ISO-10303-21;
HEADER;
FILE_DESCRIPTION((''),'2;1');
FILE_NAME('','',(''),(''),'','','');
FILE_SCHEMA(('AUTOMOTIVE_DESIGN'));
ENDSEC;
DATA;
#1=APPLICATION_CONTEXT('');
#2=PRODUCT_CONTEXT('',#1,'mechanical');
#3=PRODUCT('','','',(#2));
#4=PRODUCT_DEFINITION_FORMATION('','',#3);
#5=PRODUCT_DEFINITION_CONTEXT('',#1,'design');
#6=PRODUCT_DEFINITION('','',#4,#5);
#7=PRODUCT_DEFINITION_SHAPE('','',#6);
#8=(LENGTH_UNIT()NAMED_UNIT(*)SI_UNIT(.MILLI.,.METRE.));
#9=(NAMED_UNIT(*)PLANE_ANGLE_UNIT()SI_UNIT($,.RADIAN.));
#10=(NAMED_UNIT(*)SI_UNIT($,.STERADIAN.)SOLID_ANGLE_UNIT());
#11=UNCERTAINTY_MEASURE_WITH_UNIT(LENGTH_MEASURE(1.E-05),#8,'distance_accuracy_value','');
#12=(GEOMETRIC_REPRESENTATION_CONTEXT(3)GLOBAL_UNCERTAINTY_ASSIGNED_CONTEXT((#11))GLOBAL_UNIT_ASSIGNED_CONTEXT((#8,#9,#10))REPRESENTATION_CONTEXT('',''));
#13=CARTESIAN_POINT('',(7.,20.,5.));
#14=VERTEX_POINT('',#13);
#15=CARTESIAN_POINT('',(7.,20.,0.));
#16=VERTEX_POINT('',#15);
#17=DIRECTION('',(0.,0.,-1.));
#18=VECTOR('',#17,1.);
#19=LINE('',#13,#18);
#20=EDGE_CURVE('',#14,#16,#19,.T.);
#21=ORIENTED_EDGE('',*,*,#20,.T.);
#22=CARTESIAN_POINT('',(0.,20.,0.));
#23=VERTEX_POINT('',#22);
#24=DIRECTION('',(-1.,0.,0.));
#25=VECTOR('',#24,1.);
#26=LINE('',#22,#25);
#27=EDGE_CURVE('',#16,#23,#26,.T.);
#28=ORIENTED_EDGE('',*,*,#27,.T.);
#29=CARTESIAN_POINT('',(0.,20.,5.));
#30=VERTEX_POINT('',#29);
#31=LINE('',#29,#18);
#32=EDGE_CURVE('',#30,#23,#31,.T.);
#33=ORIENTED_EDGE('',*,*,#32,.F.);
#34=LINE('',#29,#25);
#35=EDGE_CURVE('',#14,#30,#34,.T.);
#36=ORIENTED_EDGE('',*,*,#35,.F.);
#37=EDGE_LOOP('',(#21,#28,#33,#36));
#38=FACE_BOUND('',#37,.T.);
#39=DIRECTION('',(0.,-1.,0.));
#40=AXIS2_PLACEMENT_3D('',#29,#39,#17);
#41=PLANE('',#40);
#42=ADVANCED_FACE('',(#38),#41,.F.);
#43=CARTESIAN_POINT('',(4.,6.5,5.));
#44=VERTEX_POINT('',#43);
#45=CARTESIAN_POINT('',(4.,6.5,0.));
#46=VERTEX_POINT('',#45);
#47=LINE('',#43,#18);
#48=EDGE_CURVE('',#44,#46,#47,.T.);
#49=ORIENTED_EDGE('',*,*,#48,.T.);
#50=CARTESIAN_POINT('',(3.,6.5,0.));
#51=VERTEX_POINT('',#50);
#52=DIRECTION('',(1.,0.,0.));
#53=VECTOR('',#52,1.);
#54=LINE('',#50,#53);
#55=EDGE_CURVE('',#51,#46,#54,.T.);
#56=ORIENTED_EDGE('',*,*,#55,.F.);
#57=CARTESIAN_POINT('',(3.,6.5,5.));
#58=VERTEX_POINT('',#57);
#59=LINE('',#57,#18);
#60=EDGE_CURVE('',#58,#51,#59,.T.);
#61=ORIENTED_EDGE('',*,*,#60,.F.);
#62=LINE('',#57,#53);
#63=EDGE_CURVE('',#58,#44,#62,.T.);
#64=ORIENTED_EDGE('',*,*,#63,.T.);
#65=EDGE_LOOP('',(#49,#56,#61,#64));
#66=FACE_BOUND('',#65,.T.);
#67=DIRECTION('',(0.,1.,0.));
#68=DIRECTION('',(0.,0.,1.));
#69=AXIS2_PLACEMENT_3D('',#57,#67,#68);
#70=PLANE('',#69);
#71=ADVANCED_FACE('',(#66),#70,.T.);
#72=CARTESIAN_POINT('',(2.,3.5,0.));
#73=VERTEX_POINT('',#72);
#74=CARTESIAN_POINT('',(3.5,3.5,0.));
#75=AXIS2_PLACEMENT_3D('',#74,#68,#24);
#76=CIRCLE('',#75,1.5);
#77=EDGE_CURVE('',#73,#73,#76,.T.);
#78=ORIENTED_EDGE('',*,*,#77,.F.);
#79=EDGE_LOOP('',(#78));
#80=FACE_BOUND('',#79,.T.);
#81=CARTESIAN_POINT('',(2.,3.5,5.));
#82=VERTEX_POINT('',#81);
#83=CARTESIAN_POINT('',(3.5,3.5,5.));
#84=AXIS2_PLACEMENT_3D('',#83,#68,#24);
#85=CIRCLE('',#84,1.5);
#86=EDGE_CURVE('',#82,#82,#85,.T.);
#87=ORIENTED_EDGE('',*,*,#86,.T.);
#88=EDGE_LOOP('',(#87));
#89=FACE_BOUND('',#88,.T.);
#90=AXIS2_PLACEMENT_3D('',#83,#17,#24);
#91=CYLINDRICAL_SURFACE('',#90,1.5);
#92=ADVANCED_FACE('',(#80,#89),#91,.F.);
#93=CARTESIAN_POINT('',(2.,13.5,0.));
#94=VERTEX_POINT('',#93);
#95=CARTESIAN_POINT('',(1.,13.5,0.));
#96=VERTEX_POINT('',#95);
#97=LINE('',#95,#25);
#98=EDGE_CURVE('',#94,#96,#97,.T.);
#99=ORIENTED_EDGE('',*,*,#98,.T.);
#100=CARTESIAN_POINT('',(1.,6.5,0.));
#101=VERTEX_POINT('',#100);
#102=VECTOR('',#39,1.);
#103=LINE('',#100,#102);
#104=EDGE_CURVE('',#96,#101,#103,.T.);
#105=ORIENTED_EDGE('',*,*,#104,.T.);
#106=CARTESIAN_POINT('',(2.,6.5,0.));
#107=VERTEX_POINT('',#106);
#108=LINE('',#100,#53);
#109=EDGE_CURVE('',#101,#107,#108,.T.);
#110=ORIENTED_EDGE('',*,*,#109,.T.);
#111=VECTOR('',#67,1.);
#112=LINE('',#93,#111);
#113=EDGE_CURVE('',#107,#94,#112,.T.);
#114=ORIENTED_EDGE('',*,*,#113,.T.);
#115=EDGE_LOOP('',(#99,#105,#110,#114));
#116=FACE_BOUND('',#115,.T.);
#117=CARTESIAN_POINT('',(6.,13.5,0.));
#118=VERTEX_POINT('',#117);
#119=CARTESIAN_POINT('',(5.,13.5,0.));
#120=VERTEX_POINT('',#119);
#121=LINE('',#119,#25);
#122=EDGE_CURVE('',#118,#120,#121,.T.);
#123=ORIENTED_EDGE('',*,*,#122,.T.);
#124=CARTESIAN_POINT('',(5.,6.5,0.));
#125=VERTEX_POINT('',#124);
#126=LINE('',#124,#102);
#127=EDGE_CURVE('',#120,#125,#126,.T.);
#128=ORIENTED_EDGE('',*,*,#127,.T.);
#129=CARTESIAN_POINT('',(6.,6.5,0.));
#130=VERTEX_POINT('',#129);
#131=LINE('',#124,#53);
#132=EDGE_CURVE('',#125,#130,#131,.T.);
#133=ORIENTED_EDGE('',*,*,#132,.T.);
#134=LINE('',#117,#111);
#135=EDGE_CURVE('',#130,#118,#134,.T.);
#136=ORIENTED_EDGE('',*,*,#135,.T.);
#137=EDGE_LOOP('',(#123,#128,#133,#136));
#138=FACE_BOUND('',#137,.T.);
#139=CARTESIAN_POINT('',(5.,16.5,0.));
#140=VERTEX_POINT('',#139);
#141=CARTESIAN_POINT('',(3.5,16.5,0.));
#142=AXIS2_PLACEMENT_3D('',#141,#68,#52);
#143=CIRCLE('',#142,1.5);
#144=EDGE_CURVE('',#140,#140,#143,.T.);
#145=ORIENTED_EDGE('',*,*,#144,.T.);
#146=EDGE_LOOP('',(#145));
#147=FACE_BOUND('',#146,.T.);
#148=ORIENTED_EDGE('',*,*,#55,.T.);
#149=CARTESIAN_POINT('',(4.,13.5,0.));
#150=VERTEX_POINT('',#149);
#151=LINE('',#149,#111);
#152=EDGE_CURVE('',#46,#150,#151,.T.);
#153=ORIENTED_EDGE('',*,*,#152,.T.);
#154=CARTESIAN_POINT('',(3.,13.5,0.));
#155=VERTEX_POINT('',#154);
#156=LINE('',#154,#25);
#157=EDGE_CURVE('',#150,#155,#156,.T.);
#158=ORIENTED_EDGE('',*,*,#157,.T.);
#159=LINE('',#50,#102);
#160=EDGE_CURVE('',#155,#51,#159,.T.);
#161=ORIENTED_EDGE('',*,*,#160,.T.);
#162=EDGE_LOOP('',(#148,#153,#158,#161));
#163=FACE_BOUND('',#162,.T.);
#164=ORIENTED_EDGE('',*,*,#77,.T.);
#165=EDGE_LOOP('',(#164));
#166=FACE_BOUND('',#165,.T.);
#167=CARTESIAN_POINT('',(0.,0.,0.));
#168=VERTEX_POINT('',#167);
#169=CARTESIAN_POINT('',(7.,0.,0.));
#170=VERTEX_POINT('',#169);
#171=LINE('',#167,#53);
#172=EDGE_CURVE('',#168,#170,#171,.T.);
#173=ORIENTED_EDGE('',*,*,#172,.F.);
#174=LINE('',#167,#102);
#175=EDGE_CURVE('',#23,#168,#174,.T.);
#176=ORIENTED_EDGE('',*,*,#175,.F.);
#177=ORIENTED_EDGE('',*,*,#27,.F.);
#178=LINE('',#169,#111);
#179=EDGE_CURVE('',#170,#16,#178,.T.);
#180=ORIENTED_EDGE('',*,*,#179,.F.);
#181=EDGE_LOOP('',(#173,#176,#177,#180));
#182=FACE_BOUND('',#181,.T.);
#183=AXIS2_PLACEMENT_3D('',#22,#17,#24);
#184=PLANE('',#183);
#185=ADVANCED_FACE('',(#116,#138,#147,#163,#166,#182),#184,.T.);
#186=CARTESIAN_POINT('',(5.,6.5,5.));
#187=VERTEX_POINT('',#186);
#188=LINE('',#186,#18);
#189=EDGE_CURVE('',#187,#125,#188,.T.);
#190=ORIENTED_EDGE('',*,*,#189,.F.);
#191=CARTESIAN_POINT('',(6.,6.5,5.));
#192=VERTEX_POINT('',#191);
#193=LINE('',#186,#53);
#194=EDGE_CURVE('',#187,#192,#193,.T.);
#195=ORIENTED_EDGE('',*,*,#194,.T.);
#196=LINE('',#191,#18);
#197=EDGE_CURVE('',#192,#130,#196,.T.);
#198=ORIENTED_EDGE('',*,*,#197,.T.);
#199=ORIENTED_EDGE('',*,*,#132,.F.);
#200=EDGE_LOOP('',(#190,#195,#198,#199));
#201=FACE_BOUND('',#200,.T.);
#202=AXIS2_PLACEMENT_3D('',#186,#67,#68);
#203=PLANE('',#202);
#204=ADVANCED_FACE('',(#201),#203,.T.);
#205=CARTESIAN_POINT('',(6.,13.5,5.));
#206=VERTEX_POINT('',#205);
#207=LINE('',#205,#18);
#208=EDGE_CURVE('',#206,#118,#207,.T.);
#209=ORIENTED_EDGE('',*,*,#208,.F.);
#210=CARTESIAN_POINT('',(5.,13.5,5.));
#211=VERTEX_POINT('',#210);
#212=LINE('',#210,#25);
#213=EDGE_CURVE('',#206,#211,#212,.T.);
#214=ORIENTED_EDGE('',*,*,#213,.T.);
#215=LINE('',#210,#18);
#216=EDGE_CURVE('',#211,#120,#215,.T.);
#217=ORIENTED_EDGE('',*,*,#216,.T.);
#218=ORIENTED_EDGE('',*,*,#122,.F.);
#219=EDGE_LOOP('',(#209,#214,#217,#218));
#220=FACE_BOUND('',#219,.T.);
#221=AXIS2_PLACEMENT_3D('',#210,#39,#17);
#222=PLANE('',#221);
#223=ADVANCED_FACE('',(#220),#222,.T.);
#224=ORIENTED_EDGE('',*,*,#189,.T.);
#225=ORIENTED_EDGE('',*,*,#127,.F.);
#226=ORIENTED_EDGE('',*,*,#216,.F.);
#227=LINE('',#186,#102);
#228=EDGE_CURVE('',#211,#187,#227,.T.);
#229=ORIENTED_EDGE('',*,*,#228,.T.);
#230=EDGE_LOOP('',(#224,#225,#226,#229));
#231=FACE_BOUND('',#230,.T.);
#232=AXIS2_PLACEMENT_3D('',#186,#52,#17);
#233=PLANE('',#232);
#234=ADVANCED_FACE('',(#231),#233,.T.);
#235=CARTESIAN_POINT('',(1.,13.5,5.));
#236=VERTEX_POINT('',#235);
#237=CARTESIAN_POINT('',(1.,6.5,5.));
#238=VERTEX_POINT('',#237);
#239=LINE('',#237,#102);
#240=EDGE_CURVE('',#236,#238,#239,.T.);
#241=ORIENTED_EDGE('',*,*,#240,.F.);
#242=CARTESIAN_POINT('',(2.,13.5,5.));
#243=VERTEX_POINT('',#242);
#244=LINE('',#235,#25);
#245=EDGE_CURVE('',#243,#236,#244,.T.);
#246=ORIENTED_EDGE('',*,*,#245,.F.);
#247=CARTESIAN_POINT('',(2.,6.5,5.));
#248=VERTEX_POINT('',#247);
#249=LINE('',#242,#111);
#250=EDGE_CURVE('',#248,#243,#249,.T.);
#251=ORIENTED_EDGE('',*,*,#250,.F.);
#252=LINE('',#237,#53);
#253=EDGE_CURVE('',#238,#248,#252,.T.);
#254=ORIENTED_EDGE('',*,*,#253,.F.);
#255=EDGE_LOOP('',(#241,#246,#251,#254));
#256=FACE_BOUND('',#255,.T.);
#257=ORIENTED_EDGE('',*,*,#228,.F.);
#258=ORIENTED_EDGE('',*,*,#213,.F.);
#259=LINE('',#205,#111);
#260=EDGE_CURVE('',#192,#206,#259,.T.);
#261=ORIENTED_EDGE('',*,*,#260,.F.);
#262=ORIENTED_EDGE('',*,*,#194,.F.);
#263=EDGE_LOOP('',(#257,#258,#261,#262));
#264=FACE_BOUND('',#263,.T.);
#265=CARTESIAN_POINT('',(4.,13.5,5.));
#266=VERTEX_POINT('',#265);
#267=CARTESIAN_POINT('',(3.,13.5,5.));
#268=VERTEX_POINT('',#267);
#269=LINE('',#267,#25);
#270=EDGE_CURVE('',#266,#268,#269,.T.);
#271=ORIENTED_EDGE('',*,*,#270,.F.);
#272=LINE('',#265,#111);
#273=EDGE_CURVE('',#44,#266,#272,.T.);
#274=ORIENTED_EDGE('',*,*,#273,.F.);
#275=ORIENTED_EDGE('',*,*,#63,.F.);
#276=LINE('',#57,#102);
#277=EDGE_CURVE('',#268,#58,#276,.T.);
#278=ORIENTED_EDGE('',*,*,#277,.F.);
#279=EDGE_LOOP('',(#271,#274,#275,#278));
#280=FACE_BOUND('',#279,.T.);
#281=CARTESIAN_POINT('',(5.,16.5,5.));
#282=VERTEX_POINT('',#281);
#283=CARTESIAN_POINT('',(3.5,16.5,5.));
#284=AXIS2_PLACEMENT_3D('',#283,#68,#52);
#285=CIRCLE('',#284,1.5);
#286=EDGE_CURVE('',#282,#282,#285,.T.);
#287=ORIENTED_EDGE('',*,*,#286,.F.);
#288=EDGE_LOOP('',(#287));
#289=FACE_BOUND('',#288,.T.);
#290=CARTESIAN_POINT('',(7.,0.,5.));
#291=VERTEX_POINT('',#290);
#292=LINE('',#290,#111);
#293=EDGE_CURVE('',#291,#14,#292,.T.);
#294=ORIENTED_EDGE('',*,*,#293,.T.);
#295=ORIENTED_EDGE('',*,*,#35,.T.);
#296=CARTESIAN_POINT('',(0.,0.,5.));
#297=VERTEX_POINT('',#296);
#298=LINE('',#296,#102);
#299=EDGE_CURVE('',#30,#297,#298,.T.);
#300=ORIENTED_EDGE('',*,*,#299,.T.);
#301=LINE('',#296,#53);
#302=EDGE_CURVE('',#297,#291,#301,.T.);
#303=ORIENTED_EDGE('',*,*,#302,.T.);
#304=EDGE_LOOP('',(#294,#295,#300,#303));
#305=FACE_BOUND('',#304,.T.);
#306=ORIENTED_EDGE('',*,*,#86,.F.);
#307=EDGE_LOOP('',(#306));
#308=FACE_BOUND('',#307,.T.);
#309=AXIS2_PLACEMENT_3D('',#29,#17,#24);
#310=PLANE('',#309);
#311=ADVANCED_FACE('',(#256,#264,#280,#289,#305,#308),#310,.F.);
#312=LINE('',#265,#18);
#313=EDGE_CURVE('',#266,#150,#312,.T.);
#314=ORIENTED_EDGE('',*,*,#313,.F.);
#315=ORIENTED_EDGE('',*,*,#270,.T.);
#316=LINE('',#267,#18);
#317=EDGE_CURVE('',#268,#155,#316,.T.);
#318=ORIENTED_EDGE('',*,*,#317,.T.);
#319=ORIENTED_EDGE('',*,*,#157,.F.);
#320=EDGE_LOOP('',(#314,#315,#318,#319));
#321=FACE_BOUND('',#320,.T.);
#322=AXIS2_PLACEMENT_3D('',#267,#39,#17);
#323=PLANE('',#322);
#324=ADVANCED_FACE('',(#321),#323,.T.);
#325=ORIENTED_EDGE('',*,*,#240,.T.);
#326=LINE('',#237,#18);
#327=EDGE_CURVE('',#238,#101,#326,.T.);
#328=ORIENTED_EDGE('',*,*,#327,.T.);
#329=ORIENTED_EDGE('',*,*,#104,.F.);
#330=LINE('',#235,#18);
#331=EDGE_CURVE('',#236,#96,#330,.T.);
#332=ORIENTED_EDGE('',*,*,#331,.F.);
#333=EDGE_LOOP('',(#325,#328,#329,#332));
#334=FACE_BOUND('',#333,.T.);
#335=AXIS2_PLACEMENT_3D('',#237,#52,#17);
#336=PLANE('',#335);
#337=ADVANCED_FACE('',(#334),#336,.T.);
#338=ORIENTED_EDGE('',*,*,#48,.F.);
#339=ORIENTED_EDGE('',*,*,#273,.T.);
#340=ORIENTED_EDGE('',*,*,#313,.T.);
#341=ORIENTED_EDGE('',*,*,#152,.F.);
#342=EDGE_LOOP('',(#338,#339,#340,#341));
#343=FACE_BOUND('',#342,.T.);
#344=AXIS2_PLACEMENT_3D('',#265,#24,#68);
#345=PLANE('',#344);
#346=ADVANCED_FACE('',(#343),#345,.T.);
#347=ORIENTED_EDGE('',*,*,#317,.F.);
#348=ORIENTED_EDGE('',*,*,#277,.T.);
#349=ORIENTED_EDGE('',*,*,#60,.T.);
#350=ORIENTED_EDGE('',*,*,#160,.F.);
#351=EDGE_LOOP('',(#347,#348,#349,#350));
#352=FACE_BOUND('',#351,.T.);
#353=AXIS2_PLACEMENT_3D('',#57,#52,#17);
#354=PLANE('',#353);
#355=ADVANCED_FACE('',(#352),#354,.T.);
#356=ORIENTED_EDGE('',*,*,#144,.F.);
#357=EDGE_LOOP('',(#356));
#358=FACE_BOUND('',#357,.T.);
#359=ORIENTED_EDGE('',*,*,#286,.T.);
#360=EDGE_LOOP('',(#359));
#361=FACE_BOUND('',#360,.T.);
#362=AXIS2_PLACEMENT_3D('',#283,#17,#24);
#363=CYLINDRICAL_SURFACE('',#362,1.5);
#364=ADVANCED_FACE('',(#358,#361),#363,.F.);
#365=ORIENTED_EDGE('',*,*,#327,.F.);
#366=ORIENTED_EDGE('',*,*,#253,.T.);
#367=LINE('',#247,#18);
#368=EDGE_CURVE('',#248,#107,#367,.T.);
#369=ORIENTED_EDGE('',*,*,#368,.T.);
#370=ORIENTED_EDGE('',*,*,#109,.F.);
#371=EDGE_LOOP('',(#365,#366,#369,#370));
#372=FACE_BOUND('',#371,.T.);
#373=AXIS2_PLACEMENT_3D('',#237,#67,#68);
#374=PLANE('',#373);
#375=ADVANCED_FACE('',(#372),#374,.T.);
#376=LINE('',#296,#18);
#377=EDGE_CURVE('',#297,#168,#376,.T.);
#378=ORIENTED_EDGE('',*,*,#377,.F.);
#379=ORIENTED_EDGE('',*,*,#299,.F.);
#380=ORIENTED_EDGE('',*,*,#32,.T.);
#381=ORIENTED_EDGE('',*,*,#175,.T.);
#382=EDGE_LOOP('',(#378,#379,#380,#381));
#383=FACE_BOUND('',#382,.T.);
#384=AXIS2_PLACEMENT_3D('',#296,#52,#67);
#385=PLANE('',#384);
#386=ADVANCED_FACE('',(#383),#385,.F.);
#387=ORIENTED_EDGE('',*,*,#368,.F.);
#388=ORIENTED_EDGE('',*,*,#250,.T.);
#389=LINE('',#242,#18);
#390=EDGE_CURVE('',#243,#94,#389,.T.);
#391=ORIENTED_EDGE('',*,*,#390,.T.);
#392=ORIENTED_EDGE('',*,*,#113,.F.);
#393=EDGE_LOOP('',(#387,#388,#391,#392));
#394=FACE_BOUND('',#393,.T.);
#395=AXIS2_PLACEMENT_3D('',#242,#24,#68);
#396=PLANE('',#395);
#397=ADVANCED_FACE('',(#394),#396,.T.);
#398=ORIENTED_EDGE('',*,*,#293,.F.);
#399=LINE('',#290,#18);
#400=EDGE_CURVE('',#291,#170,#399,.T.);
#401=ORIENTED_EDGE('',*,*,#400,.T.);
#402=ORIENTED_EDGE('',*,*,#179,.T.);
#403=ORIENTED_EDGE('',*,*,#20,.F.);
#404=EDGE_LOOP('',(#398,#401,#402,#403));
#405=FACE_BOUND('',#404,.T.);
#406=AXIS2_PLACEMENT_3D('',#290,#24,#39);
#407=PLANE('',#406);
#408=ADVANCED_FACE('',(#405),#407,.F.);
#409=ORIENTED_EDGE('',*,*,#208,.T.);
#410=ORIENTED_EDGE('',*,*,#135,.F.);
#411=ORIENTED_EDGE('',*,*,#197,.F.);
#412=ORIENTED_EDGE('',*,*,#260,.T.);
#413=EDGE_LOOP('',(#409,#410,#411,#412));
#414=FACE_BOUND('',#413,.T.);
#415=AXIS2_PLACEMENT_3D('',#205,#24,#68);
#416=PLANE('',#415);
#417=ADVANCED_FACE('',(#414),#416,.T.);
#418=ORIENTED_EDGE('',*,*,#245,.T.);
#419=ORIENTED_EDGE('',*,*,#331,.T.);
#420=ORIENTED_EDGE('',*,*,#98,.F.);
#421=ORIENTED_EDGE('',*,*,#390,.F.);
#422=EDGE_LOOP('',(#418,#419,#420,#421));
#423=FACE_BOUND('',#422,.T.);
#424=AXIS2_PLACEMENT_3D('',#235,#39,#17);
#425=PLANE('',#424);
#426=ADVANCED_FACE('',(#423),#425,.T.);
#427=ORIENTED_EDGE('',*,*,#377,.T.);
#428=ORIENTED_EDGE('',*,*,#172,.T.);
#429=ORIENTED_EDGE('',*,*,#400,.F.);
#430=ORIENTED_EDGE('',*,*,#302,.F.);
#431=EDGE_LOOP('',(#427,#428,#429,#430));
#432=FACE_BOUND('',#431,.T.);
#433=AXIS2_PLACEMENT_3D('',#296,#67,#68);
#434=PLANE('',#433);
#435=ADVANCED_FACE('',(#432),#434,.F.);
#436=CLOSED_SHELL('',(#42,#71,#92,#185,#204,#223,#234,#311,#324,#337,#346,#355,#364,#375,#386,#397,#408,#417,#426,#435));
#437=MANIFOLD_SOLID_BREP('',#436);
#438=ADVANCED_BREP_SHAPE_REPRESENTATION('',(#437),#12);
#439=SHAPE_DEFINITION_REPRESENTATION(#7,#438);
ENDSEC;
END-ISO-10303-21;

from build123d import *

# Parameters (mm, degrees)
SKETCH1_W           = 7
SKETCH1_H           = 20
SKETCH1_R           = 1.5
SKETCH1_W_2         = 1
SKETCH1_H_2         = 7
BOSS_EXTRUDE1_DEPTH = 5


with BuildPart() as part:
    # Sketch1 → Boss-Extrude1 (new body)
    with BuildSketch(Plane.XY):
        with Locations((3.5, 10)):
            Rectangle(SKETCH1_W, SKETCH1_H)
        with Locations((3.5, 16.5)):
            Circle(SKETCH1_R, mode=Mode.SUBTRACT)
        with Locations((3.5, 3.5)):
            Circle(SKETCH1_R, mode=Mode.SUBTRACT)
        with Locations((1.5, 10)):
            Rectangle(SKETCH1_W_2, SKETCH1_H_2, mode=Mode.SUBTRACT)
        with Locations((3.5, 10)):
            Rectangle(SKETCH1_W_2, SKETCH1_H_2, mode=Mode.SUBTRACT)
        with Locations((5.5, 10)):
            Rectangle(SKETCH1_W_2, SKETCH1_H_2, mode=Mode.SUBTRACT)
    extrude(amount=BOSS_EXTRUDE1_DEPTH)


solid = part.part
